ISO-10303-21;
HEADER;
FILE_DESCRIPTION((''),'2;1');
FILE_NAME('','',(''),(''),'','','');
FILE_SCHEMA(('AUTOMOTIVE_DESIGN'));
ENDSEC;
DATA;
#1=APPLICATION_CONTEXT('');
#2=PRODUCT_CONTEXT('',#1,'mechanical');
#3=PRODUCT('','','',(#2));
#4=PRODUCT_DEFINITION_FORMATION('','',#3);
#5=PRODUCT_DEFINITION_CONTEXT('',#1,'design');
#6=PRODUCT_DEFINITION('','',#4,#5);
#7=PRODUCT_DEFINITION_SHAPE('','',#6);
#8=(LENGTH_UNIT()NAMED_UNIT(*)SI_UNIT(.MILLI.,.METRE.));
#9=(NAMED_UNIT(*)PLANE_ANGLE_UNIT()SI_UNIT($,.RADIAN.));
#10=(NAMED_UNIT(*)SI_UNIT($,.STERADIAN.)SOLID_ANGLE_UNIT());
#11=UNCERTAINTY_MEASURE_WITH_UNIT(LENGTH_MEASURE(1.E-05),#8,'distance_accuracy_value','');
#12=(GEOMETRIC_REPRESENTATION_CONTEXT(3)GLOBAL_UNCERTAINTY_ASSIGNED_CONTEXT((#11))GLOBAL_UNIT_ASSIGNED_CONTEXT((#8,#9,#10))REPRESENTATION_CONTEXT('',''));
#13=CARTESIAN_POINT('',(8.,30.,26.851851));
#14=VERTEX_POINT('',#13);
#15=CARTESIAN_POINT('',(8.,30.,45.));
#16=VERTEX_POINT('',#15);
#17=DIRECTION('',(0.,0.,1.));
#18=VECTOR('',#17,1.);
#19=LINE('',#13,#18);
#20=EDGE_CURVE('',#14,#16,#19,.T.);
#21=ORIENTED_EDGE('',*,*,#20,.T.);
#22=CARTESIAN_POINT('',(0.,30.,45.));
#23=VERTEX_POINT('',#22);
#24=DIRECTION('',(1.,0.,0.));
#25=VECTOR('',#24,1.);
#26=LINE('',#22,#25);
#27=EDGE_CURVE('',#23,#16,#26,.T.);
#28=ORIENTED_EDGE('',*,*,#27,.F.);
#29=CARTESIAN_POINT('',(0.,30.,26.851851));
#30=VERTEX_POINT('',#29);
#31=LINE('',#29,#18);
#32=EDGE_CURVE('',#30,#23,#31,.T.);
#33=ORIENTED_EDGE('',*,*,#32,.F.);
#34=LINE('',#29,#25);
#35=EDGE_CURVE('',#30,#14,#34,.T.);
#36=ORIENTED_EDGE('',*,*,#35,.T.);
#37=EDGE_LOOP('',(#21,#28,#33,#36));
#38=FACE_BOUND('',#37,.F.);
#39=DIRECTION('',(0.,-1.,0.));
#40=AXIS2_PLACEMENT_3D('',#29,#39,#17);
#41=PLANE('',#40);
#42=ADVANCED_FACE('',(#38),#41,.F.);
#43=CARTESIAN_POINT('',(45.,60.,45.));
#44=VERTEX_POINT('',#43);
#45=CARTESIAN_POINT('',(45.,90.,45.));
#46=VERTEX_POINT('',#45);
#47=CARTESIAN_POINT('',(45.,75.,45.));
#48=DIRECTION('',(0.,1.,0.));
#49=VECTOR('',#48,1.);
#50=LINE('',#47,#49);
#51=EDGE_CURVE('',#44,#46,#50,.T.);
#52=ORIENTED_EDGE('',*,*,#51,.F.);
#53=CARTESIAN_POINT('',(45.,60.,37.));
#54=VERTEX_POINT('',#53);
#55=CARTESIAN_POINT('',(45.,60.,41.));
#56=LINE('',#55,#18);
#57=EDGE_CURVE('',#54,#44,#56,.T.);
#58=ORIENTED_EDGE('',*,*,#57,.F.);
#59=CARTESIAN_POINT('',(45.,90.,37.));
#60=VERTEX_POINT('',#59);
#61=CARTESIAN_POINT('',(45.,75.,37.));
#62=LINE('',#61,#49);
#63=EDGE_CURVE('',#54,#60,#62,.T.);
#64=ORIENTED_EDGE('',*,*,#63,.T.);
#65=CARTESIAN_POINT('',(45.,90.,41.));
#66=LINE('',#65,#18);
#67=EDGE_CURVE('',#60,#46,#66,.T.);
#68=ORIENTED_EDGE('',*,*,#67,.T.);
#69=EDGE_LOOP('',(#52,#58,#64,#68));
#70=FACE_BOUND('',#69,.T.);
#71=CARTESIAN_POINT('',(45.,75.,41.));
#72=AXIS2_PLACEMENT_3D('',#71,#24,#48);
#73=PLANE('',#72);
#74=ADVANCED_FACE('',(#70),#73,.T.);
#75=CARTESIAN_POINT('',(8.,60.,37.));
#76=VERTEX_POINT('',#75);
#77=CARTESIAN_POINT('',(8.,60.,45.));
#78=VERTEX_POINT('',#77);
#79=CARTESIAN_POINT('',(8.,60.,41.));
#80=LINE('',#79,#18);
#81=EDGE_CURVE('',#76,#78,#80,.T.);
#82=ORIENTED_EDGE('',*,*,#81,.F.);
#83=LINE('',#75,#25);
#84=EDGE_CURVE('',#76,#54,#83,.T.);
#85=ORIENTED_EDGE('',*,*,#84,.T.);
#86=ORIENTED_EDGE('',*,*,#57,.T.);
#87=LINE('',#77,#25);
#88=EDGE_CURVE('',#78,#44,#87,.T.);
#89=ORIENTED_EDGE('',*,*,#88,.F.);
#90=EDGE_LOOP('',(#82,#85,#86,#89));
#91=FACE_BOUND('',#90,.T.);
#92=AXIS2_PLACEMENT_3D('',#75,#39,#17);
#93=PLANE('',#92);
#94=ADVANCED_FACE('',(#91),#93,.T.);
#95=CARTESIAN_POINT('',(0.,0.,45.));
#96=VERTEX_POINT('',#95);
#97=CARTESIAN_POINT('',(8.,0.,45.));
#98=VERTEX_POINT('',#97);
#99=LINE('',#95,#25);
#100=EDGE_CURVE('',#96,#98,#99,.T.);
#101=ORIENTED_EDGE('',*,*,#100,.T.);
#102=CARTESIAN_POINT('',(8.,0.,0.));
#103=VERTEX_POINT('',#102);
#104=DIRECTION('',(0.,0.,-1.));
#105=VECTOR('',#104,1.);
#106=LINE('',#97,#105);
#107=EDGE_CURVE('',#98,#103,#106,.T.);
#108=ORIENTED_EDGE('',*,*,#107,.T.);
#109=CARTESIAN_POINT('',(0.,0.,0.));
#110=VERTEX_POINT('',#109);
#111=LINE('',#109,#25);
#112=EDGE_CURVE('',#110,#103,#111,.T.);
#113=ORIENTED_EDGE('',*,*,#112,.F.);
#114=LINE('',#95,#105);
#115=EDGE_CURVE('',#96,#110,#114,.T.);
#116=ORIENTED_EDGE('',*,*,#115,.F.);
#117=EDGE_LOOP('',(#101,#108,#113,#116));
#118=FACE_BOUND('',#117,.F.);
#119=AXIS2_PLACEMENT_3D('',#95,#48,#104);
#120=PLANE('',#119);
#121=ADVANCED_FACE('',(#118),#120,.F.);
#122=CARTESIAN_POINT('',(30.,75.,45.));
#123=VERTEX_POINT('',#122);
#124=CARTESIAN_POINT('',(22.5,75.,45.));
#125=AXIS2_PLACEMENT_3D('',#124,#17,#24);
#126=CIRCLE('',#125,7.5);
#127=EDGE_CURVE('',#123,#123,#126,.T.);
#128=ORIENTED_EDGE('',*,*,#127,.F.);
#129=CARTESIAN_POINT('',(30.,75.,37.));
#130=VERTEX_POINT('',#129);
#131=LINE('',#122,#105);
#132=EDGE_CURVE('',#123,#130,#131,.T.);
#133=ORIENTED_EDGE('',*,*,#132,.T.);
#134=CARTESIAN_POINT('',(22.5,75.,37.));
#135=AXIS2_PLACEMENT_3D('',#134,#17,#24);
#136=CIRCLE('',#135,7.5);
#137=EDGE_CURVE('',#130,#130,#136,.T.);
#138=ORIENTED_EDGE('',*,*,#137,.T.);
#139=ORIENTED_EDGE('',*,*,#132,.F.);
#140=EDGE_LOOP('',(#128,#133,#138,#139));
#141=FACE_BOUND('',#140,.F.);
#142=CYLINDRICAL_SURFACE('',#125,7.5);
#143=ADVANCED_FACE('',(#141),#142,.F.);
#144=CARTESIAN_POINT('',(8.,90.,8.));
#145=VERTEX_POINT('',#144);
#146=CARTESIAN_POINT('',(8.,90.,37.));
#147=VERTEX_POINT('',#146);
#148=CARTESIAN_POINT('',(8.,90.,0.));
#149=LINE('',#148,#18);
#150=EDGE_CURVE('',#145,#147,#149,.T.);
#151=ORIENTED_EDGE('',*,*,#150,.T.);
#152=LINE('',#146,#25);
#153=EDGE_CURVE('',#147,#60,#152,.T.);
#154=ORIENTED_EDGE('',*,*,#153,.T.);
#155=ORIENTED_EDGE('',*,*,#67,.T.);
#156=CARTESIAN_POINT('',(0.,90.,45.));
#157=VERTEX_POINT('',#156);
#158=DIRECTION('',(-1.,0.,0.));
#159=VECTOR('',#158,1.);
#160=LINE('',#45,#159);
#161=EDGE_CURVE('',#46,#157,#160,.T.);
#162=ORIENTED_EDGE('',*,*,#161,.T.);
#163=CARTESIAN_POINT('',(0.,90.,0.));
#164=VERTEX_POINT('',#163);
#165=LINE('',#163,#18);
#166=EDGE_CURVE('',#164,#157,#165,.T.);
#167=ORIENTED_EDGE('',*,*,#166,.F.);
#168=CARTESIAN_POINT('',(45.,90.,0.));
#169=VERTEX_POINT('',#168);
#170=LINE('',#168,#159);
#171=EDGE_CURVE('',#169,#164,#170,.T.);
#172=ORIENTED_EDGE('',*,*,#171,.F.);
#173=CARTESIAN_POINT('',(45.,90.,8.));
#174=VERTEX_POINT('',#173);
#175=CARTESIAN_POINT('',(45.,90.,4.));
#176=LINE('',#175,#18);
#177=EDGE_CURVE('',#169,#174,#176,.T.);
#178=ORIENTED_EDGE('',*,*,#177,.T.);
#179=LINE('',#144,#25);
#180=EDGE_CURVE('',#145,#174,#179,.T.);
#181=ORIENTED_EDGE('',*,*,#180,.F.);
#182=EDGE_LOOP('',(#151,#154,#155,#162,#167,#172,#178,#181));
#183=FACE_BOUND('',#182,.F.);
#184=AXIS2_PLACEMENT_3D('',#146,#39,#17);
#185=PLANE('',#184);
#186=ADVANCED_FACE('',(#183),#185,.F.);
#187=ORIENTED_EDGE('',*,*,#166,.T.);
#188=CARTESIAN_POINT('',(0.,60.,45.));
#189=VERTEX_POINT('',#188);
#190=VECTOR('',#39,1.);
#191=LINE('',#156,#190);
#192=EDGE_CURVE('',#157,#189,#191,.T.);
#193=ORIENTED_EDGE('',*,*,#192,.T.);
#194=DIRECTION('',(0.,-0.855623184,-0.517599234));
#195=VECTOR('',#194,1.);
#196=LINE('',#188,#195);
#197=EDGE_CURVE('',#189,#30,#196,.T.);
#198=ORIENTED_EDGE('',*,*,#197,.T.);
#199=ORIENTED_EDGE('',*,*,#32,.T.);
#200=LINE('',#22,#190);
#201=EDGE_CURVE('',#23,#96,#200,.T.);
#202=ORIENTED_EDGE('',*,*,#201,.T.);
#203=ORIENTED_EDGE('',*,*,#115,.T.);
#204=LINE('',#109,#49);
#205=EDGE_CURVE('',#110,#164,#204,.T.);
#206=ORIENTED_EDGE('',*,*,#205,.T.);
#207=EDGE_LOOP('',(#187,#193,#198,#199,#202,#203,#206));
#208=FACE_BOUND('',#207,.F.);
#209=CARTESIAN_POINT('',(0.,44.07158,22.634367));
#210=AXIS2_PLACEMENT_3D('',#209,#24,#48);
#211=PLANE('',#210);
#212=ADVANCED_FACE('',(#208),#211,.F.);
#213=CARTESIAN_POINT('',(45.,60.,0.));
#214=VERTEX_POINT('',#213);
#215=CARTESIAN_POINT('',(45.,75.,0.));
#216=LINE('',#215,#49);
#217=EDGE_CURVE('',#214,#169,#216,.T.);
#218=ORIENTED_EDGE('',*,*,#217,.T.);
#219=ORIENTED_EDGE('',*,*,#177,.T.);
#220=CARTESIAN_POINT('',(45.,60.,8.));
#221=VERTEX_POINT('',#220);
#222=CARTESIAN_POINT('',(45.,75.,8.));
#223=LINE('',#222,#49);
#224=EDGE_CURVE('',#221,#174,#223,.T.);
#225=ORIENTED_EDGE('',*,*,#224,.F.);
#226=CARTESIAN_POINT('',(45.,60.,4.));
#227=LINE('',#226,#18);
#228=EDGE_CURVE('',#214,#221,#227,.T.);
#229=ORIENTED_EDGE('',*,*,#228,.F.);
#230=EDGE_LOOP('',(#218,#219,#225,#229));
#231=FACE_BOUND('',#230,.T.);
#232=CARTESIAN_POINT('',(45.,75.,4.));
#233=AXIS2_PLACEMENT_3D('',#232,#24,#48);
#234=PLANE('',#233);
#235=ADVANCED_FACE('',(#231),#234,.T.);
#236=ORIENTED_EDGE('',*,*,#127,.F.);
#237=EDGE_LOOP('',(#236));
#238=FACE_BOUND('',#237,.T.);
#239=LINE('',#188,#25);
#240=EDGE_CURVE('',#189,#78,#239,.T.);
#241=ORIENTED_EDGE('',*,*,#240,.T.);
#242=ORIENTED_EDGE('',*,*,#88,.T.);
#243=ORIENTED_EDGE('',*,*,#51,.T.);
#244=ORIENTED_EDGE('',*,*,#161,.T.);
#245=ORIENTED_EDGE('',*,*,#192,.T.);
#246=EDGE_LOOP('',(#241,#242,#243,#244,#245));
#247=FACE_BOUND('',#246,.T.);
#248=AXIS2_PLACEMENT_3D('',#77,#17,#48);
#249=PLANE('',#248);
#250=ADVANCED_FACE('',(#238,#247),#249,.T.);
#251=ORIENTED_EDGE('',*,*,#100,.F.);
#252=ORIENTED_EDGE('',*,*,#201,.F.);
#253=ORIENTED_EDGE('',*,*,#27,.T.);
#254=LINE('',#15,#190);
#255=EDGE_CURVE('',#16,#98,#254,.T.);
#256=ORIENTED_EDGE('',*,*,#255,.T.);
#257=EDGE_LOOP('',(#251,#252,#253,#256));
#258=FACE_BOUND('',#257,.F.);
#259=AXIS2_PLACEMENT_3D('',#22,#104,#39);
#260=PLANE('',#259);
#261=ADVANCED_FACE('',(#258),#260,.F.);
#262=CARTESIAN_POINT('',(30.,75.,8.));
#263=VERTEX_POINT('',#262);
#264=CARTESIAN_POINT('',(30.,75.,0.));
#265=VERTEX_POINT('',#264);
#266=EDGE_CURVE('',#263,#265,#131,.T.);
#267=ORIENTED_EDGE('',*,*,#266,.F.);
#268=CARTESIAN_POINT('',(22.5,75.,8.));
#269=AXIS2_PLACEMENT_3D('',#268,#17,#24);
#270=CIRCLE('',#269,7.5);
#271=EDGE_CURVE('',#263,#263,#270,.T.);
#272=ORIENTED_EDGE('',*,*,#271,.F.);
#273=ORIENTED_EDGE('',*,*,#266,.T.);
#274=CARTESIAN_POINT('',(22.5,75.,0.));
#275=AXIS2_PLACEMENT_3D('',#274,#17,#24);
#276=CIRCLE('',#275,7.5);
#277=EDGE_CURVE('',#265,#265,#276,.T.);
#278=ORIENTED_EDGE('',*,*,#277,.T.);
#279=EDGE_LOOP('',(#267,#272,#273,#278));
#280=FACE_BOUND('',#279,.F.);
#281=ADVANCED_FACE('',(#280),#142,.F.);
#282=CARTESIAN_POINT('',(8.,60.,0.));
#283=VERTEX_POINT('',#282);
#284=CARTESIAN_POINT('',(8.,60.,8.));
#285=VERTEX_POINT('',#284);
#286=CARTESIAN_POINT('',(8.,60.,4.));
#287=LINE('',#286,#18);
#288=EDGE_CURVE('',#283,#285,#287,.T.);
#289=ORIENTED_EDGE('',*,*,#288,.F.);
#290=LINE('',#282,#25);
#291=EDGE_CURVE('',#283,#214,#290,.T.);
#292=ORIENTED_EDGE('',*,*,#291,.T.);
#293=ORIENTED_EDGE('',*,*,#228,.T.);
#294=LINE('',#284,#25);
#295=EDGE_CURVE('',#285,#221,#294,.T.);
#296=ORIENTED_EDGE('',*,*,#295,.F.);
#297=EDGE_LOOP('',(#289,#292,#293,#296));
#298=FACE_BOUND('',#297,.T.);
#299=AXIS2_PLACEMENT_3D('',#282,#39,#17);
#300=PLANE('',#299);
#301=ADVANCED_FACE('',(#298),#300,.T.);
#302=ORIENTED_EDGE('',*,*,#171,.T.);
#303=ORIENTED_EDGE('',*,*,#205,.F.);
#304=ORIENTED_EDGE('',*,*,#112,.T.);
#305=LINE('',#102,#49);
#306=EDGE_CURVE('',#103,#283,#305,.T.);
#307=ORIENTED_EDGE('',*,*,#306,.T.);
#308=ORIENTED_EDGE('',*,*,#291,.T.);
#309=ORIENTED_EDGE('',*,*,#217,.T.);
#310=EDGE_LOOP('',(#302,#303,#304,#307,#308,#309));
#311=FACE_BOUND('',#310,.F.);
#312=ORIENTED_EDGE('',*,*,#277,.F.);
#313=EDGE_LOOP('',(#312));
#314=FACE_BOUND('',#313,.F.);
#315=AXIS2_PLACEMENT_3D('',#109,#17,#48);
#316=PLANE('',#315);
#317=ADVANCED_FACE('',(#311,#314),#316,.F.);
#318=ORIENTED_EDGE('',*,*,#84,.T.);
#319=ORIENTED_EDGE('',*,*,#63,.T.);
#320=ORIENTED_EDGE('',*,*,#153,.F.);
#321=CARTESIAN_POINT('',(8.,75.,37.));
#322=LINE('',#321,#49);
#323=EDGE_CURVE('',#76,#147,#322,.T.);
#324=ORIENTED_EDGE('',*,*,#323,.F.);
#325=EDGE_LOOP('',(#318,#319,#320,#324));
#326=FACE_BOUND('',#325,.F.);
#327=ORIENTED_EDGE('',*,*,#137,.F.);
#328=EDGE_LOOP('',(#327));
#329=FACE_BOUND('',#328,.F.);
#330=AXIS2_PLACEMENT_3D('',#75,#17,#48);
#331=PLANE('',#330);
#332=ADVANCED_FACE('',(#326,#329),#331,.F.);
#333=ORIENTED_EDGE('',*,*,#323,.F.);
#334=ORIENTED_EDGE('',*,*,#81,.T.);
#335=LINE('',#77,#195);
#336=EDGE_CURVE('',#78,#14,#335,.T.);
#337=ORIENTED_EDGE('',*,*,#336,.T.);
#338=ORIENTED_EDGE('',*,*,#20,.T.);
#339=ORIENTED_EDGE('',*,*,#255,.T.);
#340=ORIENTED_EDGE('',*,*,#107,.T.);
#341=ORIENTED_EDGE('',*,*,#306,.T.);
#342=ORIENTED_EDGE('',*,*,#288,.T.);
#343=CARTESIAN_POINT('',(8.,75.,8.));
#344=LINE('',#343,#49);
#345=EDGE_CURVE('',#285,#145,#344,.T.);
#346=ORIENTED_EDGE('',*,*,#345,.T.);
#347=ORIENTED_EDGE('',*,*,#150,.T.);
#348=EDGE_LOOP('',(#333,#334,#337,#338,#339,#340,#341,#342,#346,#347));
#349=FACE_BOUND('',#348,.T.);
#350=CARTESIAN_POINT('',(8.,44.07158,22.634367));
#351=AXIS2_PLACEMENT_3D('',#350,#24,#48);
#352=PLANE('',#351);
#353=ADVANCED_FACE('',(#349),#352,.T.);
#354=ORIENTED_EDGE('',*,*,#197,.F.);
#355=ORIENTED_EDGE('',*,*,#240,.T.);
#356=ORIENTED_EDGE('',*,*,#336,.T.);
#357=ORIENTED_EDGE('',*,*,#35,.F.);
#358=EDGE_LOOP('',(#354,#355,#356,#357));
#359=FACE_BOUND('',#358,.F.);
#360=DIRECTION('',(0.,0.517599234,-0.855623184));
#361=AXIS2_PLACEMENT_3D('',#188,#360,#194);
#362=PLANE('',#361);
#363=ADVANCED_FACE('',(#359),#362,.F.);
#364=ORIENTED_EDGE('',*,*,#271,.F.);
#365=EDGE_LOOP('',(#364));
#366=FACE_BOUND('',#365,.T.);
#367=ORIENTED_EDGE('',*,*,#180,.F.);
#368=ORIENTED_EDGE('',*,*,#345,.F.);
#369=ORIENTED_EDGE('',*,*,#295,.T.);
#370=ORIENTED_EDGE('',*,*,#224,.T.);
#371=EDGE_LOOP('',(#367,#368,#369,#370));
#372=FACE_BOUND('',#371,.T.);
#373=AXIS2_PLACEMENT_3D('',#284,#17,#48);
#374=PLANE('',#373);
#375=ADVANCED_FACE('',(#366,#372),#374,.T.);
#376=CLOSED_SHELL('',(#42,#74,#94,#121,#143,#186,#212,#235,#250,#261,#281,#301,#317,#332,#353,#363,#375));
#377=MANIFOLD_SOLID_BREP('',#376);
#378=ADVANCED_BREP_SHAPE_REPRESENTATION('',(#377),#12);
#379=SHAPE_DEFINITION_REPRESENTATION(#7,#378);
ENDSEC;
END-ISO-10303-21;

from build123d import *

# Parameters (mm, degrees)
F1_DEPTH = 8
F2_W     = 30
F2_H     = 8
F3_DEPTH = 37
F4_R     = 7.5
F5_DEPTH = 45.001


with BuildPart() as f1:
    # F0 (on Right) → F1 (new body)
    with BuildSketch(Plane.YZ):
        Polygon((0, 45), (0, 0), (90, 0), (90, 45), (60, 45), (30, 26.851851), (30, 45), align=None)
    extrude(amount=F1_DEPTH)

    # F2 (on face) → F3 (join)
    with BuildSketch(Plane.YZ.offset(8)):
        with Locations((75, 41)):
            Rectangle(F2_W, F2_H)
        with Locations((75, 4)):
            Rectangle(F2_W, F2_H)
    extrude(amount=F3_DEPTH)

    # F4 (on face) → F5 (cut, through all)
    with BuildSketch(Plane.XY.offset(45)):
        with Locations((22.5, 75)):
            Circle(F4_R)
    extrude(amount=-F5_DEPTH, mode=Mode.SUBTRACT)


solid = f1.part
